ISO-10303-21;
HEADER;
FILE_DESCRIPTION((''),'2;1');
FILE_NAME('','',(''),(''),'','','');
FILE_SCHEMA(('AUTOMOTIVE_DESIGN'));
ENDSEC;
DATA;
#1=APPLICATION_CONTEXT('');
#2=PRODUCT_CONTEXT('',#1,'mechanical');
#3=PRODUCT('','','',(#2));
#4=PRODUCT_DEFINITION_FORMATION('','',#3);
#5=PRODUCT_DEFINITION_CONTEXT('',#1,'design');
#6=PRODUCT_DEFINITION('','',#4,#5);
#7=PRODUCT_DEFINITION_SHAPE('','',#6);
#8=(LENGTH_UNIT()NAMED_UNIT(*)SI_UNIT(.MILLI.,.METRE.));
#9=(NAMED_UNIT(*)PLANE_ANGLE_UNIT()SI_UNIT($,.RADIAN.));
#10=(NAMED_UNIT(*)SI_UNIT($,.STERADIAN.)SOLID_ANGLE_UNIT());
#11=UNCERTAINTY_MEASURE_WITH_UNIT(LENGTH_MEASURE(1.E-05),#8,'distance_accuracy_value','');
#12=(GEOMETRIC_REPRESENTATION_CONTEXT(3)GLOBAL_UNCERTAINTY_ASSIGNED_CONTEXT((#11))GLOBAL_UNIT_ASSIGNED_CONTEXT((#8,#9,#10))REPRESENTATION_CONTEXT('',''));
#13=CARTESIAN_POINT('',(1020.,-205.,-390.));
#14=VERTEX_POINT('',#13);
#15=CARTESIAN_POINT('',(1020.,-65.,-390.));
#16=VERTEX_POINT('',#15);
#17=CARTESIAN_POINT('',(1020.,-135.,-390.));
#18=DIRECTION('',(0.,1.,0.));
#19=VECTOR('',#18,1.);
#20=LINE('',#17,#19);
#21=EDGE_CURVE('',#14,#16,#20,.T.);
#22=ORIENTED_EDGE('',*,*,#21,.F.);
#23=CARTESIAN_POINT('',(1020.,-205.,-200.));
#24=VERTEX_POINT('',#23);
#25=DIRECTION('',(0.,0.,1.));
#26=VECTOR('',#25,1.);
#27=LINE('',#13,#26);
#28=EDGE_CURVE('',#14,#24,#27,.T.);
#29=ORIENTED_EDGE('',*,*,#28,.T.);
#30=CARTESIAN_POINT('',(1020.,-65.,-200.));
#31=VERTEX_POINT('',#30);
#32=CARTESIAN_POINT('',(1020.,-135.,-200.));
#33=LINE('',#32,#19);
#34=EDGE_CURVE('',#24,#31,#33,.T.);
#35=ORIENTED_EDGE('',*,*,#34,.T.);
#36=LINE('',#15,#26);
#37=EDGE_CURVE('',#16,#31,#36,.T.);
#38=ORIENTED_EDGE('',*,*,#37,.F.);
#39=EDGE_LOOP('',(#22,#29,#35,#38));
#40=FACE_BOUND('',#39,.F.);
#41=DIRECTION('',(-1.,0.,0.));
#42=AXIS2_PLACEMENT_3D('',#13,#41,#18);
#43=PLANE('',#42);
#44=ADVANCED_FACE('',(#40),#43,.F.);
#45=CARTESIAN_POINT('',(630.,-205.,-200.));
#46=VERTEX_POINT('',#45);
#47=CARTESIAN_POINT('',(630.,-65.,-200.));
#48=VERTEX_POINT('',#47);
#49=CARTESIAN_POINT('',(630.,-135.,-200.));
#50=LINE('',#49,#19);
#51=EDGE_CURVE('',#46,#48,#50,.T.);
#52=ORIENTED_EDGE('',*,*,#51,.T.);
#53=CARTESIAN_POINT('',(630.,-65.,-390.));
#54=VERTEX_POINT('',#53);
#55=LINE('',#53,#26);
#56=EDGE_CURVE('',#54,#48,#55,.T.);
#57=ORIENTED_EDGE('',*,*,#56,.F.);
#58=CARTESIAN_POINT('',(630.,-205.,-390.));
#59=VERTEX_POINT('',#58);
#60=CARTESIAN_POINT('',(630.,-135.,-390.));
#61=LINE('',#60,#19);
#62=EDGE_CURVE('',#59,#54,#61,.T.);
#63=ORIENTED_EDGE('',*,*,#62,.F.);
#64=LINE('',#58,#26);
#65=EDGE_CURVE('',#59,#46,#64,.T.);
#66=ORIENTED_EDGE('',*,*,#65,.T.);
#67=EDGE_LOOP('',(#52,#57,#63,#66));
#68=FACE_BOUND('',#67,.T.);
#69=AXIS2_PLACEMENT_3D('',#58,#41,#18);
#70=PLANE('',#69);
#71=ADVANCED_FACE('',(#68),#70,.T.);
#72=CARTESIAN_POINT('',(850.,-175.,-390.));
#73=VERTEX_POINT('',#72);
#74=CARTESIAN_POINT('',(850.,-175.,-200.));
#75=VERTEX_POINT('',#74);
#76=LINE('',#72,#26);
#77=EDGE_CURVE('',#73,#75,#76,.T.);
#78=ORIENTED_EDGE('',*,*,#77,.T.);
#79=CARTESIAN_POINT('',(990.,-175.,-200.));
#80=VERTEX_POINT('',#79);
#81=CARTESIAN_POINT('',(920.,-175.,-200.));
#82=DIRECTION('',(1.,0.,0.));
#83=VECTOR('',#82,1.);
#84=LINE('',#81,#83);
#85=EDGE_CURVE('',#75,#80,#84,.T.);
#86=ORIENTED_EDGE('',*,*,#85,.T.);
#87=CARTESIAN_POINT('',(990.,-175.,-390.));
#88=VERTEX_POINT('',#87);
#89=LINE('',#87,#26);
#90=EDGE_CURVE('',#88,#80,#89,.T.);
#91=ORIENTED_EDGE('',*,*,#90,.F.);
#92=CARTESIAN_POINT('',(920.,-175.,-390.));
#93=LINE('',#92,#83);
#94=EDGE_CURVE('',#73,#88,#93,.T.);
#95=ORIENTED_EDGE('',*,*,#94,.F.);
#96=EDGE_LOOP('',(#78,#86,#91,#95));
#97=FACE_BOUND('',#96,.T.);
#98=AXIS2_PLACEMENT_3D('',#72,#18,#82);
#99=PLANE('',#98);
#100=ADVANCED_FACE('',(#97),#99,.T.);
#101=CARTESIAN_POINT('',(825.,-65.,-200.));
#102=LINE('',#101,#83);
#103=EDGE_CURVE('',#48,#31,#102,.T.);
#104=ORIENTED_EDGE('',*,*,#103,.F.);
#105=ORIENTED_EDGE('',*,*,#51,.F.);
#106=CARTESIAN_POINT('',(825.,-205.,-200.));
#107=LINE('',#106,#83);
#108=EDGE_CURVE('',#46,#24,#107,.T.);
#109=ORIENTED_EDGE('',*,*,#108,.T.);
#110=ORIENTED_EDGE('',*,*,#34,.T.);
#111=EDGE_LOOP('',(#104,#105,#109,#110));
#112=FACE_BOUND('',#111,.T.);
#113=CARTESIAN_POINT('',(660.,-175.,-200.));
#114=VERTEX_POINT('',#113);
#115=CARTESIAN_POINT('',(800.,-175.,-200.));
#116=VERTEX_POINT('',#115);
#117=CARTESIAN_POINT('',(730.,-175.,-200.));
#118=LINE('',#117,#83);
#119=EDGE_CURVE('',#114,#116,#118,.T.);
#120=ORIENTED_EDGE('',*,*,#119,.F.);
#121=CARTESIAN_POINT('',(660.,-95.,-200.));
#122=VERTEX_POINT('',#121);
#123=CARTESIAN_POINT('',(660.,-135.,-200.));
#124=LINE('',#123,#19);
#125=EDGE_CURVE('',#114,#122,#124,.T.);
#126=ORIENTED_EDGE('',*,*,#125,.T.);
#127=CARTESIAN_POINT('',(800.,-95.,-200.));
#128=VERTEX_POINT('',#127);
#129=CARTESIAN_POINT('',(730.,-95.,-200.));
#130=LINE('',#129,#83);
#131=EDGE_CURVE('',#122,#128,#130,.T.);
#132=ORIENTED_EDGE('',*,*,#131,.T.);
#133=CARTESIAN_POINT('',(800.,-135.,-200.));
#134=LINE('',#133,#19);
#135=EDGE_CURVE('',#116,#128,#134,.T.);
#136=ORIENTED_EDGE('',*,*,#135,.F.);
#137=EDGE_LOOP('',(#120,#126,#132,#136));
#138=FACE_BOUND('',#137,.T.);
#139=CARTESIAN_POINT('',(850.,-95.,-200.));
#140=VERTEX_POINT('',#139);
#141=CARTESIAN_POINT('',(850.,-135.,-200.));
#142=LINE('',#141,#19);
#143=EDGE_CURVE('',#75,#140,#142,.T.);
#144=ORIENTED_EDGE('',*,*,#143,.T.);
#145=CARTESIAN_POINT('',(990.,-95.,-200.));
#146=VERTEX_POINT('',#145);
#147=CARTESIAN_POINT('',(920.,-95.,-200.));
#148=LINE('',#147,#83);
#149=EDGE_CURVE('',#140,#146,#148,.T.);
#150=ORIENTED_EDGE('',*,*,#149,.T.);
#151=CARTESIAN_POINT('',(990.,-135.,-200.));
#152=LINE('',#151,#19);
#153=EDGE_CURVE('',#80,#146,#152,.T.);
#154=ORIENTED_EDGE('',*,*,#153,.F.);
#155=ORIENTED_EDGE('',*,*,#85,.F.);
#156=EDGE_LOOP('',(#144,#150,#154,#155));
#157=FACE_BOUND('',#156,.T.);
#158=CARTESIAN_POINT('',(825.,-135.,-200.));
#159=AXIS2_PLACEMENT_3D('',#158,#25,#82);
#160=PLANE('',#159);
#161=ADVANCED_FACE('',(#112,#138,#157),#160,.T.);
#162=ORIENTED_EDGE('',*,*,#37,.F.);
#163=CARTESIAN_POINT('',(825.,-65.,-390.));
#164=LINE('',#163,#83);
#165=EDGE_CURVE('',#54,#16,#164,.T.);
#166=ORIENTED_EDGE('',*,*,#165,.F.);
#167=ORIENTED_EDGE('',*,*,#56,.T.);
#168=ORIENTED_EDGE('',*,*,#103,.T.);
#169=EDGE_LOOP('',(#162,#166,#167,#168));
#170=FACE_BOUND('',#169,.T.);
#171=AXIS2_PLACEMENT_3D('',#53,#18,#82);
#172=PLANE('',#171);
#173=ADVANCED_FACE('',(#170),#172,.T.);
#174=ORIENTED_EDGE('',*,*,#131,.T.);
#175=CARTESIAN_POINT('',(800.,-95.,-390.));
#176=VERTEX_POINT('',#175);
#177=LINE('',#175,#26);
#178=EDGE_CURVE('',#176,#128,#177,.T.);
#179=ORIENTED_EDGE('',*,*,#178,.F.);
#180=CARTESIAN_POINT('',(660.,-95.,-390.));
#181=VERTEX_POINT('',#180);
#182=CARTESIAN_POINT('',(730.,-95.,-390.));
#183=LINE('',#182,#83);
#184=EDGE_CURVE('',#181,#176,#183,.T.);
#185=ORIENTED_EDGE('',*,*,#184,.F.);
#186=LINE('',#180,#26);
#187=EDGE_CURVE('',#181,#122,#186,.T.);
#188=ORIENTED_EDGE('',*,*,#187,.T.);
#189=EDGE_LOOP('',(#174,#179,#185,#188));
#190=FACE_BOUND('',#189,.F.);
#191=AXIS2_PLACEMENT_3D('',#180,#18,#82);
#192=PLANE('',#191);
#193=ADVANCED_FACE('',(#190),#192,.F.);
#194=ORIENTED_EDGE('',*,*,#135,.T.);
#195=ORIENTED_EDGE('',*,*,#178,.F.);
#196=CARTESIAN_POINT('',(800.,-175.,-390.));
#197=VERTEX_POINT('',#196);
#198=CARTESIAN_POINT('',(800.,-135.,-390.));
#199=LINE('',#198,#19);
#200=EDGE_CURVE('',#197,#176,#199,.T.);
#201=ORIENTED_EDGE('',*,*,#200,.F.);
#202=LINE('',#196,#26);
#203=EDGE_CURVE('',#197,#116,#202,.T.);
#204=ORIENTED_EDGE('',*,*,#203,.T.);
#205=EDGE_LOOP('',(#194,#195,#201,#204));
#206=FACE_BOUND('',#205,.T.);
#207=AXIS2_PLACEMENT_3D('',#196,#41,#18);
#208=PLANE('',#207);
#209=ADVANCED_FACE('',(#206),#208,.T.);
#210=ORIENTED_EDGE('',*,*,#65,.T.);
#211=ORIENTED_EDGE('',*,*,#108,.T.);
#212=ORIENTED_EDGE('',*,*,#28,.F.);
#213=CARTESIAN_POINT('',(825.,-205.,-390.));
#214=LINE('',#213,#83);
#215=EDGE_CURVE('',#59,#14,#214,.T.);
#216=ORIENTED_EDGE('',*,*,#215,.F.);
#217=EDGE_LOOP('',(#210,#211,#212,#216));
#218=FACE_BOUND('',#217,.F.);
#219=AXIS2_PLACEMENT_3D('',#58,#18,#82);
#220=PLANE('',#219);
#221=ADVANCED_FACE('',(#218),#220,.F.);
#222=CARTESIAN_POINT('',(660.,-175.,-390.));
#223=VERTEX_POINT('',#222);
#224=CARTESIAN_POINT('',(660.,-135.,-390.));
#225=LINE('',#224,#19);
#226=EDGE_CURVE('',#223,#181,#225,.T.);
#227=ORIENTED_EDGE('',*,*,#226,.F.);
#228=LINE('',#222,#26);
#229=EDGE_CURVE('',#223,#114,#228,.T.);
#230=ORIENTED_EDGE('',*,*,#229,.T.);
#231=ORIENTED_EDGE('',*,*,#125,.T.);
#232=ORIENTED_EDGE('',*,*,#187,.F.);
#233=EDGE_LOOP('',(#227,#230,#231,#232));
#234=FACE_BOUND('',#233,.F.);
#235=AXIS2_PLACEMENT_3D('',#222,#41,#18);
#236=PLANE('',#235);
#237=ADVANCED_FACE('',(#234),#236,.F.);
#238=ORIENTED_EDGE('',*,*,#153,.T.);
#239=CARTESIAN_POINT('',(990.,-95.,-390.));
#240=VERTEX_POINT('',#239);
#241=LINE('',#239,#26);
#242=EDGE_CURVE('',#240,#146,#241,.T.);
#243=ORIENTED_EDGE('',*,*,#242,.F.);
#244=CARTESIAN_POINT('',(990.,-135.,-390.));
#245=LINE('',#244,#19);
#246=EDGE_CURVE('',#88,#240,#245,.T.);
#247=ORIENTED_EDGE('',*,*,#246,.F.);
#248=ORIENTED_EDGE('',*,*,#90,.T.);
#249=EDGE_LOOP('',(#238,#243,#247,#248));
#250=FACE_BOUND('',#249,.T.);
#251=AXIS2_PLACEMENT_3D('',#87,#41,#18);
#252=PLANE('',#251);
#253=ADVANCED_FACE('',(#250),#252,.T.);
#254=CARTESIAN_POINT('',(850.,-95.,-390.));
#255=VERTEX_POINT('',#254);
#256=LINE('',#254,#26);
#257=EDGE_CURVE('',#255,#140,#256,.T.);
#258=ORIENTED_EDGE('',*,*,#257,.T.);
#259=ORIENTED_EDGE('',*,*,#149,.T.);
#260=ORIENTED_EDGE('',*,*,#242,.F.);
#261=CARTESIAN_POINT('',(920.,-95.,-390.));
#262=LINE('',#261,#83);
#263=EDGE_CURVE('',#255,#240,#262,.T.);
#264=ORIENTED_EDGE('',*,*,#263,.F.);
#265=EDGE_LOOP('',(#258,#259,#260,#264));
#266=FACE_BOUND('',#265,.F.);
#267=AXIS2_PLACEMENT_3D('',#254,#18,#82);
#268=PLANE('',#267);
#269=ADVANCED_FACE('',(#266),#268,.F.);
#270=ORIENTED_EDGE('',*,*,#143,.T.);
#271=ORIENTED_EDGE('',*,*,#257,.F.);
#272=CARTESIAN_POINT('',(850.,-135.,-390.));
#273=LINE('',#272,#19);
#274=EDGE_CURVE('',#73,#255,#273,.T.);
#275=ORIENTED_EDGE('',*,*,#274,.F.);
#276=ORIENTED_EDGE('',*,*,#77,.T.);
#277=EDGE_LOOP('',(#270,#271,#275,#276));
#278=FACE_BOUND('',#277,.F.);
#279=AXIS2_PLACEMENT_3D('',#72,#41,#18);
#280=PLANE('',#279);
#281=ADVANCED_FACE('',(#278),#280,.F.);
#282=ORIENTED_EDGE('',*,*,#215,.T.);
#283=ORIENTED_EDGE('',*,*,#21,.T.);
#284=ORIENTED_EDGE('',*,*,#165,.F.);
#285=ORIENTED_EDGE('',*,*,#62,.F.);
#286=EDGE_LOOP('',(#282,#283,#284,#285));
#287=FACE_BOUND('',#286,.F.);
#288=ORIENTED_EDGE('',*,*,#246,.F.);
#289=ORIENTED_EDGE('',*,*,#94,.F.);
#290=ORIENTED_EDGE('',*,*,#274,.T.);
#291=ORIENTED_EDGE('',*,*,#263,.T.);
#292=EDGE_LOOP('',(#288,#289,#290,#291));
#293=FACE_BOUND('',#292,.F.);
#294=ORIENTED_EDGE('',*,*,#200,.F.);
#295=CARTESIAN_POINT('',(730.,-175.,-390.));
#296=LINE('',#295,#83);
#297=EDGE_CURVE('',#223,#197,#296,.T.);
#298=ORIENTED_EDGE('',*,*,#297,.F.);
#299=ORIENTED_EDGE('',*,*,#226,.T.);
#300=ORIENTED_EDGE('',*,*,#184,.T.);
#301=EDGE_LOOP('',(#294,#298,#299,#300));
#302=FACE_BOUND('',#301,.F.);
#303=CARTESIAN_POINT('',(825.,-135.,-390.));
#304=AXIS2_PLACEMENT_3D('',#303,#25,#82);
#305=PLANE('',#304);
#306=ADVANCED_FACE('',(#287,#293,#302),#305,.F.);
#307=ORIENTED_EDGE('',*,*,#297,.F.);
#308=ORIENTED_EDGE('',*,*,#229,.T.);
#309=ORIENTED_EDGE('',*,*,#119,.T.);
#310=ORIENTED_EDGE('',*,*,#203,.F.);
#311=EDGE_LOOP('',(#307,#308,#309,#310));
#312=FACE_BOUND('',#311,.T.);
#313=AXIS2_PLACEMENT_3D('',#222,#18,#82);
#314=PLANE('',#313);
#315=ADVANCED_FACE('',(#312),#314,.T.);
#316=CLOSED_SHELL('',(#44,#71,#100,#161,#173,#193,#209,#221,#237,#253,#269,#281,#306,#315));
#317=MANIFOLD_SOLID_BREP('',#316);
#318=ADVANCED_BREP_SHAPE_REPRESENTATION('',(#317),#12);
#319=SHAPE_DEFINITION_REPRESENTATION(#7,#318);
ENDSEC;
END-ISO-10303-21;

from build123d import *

# Parameters (mm, degrees)
BOX031_W     = 140
BOX031_H     = 80
BOX031_DEPTH = 190
BOX029_W     = 140
BOX029_H     = 80
BOX029_DEPTH = 190
BOX030_W     = 390
BOX030_H     = 140
BOX030_DEPTH = 190


with BuildPart() as cube021:
    # Box031 → Box031 (new body)
    with BuildSketch(Plane(origin=(220, 30, 0), x_dir=(1, 0, 0), z_dir=(0, 0, 1))):
        with Locations((70, 40)):
            Rectangle(BOX031_W, BOX031_H)
    extrude(amount=BOX031_DEPTH)


with BuildPart() as fusion009:
    # Box029 → Box029 (new body)
    with BuildSketch(Plane(origin=(30, 30, 0), x_dir=(1, 0, 0), z_dir=(0, 0, 1))):
        with Locations((70, 40)):
            Rectangle(BOX029_W, BOX029_H)
    extrude(amount=BOX029_DEPTH)

    # Fusion009: union Cube021
    add(cube021.part)


with BuildPart() as cut006:
    # Box030 → Box030 (new body)
    with BuildSketch(Plane.XY):
        with Locations((195, 70)):
            Rectangle(BOX030_W, BOX030_H)
    extrude(amount=BOX030_DEPTH)

    # Cut006: cut Fusion009
    add(fusion009.part, mode=Mode.SUBTRACT)


with BuildPart() as cut006_1:
    # Cut006 placement: moved
    add(cut006.part.moved(Location((630, -205, -390))))


solid = cut006_1.part
